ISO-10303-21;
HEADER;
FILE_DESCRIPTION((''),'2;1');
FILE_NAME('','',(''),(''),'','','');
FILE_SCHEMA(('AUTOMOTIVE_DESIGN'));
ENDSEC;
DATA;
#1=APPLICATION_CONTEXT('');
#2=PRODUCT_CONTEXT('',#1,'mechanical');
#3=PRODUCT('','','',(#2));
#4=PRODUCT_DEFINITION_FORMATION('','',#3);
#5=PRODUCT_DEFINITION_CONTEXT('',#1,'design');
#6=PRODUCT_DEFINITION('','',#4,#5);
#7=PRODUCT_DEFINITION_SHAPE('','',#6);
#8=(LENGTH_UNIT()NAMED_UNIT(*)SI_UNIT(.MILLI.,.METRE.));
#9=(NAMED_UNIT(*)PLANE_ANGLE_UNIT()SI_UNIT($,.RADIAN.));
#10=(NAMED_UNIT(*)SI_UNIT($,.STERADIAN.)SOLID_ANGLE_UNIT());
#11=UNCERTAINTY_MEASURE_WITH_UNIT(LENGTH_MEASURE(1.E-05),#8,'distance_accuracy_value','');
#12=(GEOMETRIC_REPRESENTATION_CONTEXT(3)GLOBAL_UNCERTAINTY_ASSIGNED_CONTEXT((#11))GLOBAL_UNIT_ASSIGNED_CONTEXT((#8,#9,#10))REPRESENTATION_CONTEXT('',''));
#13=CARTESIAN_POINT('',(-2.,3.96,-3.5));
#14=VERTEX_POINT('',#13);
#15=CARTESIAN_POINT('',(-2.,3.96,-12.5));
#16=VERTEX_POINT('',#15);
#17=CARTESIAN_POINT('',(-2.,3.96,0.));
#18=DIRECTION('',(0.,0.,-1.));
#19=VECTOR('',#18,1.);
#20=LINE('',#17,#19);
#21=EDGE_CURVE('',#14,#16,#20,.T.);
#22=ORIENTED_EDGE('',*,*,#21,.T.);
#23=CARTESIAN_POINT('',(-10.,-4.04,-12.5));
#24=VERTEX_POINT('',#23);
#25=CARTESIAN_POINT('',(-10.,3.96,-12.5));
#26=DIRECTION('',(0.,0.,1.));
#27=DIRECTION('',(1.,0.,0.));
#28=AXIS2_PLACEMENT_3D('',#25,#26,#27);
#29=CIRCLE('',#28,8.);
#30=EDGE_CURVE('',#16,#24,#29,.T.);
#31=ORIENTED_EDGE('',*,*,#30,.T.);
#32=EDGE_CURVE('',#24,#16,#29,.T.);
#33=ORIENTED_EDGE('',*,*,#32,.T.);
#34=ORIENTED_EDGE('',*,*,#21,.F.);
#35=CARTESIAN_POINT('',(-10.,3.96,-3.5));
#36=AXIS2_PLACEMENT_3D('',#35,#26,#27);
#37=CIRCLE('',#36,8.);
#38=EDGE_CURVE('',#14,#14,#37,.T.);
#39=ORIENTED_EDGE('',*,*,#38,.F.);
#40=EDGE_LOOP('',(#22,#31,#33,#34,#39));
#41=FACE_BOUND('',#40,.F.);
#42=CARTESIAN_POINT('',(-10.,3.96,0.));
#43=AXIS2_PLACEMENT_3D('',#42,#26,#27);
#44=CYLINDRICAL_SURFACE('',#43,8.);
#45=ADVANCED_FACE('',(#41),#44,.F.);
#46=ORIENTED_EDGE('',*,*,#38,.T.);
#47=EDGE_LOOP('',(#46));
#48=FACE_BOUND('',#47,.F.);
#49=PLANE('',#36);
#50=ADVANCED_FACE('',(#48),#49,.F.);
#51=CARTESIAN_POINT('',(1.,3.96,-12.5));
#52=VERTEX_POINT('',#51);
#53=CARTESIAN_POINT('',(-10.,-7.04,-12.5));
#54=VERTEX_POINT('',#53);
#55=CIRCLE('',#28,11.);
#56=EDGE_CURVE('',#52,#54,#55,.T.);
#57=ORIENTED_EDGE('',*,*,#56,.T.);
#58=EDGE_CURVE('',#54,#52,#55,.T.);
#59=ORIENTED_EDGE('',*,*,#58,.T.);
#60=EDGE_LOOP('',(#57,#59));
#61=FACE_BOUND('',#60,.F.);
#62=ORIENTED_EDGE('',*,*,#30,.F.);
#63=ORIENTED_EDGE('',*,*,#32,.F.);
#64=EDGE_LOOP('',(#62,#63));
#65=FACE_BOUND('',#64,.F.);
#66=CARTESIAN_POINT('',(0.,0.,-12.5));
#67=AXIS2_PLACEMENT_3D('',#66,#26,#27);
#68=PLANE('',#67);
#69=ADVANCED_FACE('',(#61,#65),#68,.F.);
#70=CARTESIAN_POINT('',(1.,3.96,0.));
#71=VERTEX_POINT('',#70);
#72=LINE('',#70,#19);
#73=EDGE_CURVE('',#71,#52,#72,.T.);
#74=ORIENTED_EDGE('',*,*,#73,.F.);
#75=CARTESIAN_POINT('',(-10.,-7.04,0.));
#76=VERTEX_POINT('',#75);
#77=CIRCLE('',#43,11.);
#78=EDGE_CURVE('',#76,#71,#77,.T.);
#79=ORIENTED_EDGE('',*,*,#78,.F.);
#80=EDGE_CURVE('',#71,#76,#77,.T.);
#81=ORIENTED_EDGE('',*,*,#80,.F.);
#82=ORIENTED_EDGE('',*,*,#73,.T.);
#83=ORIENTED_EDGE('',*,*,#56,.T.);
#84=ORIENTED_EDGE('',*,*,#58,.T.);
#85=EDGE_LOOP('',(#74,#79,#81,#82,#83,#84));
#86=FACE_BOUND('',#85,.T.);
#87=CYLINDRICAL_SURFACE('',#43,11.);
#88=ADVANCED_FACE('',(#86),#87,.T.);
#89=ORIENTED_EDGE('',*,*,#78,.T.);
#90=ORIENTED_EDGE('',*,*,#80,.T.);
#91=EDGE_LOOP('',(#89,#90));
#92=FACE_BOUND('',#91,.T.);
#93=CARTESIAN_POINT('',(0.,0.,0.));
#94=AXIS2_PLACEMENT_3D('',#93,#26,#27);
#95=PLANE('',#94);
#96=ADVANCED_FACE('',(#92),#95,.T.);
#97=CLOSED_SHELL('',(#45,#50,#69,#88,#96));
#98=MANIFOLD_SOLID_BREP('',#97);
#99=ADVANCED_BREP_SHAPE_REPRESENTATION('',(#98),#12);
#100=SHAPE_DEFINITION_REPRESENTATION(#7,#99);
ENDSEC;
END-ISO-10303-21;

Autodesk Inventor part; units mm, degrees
ref_plane "YZ Plane" through (0, 0, 0) normal (1, 0, 0) x (0, 1, 0)
sketch "Sketch1" plane through (0, 0, 0) normal (0, 0, 1) x (1, 0, 0)
  circle A0 centre (-10, 3.96) radius 8 projected
  line L0 (-10, 3.96) -> (-10, -7.04)
  circle A1 centre (-10, 3.96) radius 11
  point P0 (0, 0)
  dimension "d0" = 11
ref_plane "Work Plane1" through (-18, -4.04, -12.5) normal (0, 0, -1) x (0, 1, 0)
extrude "Extrusion1" add sketch "Sketch1" against normal up to surface (12.5 mm away)
sketch "Sketch2" plane through (-10, 3.96, 0) normal (0, 0, 1) x (1, 0, 0)
  circle A0 centre (0, 0) radius 11 projected
  circle A1 centre (0, 0) radius 8 projected
  point P0 (10, -3.96)
ref_plane "Work Plane2" through (-18, -4.04, -3.5) normal (0, 0, 1) x (1, 0, 0)
extrude "Extrusion2" add sketch "Sketch2" against normal up to surface (3.5 mm away) contours A1
properties part number "opona"
